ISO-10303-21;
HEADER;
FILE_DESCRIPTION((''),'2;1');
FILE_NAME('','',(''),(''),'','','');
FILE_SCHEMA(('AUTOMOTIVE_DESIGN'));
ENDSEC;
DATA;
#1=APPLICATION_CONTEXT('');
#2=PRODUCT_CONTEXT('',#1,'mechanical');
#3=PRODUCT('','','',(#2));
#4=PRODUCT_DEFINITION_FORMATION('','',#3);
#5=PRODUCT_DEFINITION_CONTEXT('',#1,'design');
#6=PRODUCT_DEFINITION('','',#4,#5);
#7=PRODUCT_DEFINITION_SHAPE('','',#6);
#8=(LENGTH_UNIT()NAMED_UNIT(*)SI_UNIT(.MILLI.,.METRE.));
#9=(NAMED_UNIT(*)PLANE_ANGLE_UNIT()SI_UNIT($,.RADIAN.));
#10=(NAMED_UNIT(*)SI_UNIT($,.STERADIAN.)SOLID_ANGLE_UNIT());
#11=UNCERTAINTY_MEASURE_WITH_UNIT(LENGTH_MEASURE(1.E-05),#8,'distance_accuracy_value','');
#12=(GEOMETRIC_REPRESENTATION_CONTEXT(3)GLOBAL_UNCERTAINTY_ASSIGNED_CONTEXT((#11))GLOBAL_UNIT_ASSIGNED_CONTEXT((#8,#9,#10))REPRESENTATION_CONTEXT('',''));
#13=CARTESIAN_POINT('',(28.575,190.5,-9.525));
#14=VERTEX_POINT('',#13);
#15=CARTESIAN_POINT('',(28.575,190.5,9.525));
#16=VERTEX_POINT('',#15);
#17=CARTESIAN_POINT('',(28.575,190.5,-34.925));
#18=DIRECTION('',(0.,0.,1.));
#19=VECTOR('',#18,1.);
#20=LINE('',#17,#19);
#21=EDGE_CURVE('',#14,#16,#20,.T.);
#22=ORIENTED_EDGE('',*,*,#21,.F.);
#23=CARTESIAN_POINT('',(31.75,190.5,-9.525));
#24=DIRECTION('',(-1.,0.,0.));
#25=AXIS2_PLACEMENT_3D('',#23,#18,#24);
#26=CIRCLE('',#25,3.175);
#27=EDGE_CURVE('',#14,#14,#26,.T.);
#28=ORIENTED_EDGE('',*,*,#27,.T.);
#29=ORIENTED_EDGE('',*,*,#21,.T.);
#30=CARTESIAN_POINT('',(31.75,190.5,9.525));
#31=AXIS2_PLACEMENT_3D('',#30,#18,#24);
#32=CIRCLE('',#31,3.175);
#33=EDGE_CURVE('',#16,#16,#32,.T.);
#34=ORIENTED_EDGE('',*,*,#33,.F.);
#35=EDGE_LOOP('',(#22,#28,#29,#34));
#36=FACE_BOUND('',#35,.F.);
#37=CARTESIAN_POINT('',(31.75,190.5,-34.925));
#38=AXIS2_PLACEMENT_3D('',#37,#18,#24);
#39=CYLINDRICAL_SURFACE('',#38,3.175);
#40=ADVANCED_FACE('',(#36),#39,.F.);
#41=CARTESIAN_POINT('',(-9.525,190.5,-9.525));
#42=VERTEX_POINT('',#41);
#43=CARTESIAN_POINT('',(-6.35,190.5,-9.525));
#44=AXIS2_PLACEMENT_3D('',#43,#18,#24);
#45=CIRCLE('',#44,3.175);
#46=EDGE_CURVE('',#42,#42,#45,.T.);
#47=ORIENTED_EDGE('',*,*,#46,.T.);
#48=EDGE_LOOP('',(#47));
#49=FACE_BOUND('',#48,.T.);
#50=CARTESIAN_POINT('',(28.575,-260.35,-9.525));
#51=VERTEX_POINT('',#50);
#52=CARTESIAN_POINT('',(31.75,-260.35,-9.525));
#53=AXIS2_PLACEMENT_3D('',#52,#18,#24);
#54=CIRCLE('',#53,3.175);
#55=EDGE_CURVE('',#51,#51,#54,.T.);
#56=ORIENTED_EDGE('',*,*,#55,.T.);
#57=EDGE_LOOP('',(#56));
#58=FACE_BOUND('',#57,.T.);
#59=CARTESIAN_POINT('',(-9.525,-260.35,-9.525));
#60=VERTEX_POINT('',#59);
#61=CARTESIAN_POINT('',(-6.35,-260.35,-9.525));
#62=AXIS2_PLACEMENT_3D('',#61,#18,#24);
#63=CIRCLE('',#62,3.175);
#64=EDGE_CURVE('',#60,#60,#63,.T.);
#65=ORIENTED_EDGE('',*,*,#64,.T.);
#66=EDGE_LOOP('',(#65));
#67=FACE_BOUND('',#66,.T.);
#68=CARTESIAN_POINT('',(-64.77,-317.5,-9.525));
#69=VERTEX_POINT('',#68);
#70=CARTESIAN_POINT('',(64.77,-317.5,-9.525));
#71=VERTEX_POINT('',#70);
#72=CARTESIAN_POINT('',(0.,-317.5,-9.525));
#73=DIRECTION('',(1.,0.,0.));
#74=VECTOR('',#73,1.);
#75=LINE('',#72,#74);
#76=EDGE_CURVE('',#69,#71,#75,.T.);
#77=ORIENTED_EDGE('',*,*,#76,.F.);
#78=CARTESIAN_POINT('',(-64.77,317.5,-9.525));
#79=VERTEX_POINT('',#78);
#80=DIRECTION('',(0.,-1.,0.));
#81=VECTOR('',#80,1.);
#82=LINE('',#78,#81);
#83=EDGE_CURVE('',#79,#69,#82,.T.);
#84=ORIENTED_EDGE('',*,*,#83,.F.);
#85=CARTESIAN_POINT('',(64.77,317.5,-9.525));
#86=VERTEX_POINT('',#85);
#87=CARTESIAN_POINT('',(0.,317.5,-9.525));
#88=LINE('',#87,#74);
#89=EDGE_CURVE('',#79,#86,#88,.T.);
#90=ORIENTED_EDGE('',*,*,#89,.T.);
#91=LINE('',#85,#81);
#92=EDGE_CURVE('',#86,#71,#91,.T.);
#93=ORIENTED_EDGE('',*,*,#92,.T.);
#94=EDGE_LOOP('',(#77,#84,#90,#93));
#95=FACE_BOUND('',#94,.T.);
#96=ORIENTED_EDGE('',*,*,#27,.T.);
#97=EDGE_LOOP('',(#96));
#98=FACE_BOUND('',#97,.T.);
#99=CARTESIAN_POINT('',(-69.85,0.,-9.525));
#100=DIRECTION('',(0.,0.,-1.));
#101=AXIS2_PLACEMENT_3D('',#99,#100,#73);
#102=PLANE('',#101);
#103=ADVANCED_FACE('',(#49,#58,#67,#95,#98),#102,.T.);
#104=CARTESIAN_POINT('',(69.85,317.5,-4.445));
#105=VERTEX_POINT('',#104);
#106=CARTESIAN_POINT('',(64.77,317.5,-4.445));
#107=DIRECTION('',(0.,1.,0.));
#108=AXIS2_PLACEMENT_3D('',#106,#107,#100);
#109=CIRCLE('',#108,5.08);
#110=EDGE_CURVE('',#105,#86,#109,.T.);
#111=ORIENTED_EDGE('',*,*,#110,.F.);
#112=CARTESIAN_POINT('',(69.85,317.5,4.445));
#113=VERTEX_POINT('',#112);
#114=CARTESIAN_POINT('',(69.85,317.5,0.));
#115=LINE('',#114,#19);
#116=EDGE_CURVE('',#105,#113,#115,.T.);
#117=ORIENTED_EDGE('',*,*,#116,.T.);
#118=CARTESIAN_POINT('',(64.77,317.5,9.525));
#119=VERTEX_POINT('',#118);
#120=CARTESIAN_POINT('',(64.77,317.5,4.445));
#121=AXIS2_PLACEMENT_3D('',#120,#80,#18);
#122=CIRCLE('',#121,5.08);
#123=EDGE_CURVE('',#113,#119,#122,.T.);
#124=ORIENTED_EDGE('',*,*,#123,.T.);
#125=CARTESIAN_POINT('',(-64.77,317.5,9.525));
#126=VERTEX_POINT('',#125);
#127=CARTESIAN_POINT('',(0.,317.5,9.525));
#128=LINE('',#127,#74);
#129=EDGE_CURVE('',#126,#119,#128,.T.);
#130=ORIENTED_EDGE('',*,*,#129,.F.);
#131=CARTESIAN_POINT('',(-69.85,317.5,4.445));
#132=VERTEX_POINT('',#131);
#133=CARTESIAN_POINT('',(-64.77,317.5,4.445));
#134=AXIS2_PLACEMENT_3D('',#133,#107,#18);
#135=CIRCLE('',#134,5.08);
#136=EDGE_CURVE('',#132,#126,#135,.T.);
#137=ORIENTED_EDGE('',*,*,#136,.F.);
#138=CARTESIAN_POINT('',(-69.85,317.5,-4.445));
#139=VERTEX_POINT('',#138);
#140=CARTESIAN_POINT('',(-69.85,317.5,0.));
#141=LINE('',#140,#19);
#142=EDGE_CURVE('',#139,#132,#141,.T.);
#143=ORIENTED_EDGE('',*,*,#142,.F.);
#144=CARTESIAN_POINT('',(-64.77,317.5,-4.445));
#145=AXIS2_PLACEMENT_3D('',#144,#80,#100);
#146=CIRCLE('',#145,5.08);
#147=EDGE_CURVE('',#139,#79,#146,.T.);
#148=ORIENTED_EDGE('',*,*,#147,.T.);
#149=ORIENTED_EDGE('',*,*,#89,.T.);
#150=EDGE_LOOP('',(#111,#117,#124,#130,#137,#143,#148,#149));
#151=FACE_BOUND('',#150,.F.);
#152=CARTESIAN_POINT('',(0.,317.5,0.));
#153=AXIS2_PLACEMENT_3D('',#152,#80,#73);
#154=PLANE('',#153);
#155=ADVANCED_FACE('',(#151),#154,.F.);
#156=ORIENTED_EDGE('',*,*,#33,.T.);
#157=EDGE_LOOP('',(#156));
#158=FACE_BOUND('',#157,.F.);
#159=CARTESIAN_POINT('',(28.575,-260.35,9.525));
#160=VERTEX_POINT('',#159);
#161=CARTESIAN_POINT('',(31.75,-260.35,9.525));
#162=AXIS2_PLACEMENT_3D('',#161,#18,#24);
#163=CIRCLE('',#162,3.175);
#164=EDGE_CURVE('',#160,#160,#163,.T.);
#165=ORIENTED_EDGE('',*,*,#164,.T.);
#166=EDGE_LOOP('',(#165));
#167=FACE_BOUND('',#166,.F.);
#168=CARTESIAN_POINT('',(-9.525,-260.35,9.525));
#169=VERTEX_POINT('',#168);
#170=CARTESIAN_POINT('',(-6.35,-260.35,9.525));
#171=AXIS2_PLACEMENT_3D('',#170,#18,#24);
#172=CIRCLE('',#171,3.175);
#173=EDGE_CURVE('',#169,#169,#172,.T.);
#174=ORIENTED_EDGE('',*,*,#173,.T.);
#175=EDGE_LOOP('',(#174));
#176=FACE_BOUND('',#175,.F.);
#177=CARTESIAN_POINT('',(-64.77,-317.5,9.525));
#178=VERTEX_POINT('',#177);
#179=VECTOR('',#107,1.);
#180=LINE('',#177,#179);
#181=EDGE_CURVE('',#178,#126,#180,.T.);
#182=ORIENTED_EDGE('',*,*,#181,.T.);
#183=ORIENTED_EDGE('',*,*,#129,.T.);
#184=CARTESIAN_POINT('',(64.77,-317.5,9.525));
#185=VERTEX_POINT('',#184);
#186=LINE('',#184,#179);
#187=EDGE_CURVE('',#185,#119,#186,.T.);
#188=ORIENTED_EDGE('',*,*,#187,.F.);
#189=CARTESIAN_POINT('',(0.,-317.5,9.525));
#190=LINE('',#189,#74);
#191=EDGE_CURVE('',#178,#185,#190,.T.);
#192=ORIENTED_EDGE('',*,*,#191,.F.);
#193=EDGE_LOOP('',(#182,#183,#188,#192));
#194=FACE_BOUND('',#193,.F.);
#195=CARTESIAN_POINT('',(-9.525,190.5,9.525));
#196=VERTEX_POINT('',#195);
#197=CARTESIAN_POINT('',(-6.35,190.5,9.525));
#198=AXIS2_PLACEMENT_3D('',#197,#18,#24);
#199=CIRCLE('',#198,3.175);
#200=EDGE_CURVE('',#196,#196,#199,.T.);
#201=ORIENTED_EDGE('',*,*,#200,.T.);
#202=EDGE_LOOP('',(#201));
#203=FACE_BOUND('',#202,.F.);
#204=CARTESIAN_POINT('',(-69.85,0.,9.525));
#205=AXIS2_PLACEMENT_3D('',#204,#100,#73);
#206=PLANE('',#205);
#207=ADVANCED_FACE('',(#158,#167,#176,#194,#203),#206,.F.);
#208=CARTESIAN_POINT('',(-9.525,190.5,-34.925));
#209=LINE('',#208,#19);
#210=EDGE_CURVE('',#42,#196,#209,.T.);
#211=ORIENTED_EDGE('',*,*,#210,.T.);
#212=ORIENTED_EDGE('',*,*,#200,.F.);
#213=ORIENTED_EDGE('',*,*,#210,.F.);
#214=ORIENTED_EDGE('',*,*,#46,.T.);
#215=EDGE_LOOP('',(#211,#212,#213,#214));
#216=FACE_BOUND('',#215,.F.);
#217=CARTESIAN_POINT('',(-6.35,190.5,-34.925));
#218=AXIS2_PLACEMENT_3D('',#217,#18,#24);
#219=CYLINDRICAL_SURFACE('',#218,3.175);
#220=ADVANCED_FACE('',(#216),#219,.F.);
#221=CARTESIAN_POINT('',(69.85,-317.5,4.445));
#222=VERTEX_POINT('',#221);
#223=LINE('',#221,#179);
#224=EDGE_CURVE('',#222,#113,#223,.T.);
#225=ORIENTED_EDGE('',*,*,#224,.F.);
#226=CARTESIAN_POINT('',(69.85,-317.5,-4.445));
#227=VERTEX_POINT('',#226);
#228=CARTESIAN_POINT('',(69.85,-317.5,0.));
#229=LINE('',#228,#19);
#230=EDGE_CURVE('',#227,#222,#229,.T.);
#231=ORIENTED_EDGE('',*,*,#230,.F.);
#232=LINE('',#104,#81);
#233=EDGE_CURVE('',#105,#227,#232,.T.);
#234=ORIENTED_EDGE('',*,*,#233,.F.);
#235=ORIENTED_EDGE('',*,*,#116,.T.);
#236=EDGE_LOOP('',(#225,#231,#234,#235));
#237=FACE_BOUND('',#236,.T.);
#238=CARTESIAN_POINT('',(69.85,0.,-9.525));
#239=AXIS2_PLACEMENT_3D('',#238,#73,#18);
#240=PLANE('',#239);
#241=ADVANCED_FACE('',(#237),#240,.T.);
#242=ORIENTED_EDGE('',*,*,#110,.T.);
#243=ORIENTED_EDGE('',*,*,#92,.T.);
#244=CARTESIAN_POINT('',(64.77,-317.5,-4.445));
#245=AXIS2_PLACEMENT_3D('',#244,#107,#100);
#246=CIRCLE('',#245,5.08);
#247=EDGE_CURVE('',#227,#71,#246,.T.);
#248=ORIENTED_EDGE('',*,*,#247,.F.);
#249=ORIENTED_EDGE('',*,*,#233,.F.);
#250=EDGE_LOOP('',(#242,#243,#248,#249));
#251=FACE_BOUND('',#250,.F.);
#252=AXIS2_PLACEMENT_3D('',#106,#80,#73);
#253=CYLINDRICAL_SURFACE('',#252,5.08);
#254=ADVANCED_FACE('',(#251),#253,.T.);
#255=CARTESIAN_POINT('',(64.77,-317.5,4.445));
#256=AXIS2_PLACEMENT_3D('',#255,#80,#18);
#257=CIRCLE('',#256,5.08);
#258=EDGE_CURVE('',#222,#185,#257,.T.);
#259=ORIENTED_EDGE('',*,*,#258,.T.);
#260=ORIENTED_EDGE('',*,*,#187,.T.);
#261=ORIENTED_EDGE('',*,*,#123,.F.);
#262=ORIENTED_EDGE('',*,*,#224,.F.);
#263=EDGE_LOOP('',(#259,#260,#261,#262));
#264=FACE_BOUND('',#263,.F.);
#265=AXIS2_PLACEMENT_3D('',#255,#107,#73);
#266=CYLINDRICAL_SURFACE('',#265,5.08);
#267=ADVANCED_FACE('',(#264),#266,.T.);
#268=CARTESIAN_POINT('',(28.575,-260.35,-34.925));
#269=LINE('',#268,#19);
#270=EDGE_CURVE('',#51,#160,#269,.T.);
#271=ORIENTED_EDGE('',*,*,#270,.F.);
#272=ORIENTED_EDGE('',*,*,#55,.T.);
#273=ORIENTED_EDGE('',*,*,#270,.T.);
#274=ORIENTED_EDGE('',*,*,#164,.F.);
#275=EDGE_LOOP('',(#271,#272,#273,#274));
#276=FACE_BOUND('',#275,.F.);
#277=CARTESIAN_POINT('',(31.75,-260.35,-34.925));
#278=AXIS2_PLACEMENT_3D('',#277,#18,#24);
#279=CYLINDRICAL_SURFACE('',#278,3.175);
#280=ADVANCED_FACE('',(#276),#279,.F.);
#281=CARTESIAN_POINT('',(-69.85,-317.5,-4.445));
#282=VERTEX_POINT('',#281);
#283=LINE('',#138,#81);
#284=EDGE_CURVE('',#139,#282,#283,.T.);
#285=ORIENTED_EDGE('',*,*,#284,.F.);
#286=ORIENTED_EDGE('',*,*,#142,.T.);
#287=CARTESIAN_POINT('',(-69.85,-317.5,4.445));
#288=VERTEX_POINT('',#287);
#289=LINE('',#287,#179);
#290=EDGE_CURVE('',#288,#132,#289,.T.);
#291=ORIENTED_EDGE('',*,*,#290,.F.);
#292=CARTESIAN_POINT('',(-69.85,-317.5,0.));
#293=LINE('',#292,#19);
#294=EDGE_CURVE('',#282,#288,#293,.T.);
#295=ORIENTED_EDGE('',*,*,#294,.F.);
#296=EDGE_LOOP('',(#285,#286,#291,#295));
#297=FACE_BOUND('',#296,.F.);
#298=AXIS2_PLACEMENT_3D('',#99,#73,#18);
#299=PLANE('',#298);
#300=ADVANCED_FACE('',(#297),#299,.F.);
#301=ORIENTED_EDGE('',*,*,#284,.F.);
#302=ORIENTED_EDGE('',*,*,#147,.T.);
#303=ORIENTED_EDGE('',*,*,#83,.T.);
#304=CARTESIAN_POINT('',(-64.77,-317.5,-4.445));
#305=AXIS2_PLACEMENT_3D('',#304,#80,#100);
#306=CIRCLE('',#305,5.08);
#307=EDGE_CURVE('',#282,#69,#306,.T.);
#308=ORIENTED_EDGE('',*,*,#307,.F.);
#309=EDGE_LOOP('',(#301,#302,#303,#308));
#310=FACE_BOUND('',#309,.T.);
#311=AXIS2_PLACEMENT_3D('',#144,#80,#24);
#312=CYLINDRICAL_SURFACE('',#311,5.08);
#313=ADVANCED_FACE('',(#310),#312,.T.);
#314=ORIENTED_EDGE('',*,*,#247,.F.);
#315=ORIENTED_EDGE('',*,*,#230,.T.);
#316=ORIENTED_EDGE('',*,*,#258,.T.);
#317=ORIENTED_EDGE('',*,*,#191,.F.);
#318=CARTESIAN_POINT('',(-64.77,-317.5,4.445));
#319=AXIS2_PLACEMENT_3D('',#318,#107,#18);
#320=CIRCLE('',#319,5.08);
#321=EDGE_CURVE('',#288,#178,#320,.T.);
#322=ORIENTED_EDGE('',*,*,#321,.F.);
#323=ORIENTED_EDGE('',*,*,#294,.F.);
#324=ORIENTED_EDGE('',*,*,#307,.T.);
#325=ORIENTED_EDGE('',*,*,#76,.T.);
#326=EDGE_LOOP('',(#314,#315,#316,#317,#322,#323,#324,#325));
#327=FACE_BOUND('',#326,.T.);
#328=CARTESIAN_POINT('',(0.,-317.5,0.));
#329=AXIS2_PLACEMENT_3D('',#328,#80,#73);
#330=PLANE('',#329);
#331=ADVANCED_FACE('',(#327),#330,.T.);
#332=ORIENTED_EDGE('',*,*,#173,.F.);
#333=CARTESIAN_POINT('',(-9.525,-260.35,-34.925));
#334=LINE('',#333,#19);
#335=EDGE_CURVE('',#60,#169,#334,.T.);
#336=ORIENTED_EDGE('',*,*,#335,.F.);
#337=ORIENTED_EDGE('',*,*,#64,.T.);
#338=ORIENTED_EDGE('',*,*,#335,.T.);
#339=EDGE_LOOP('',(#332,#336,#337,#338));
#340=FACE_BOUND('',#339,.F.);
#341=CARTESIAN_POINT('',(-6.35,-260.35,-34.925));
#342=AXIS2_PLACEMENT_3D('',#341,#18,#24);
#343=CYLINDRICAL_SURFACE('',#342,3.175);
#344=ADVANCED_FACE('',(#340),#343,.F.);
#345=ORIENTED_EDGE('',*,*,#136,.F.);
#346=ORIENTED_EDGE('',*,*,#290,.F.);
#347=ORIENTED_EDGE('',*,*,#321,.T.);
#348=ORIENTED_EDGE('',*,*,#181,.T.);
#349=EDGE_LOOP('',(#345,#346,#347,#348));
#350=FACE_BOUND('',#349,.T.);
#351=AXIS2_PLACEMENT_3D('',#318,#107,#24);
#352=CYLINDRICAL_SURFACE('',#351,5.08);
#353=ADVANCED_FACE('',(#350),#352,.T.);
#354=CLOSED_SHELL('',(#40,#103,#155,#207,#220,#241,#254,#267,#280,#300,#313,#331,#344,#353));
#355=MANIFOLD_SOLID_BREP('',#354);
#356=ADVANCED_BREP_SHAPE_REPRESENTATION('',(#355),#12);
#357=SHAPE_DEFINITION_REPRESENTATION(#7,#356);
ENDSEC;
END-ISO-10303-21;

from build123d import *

# Parameters (mm, degrees)
F0_W     = 139.7
F0_H     = 19.05
F1_DEPTH = 317.5
F2_R     = 5.08
F4_D     = 6.35
F4_DEPTH = 25.4


with BuildPart() as f1:
    # F0 (on Front) → F1 (new body, symmetric)
    with BuildSketch(Plane.XZ):
        Rectangle(F0_W, F0_H)
    extrude(amount=F1_DEPTH, both=True)

    # F2
    f2_edges = [f1.edges().sort_by_distance(p)[0] for p in [
        (-69.85, 0, 9.525),
        (69.85, 0, 9.525),
        (69.85, 0, -9.525),
        (-69.85, 0, -9.525),
    ]]
    fillet(f2_edges, radius=F2_R)

    # F4
    with Locations(Plane(origin=(0, 0, -9.525), x_dir=(1, 0, 0), z_dir=(0, 0, -1))):
        with Locations((-6.35, 260.35), (31.75, 260.35), (31.75, -190.5), (-6.35, -190.5)):
            Hole(F4_D / 2, depth=F4_DEPTH)


solid = f1.part
